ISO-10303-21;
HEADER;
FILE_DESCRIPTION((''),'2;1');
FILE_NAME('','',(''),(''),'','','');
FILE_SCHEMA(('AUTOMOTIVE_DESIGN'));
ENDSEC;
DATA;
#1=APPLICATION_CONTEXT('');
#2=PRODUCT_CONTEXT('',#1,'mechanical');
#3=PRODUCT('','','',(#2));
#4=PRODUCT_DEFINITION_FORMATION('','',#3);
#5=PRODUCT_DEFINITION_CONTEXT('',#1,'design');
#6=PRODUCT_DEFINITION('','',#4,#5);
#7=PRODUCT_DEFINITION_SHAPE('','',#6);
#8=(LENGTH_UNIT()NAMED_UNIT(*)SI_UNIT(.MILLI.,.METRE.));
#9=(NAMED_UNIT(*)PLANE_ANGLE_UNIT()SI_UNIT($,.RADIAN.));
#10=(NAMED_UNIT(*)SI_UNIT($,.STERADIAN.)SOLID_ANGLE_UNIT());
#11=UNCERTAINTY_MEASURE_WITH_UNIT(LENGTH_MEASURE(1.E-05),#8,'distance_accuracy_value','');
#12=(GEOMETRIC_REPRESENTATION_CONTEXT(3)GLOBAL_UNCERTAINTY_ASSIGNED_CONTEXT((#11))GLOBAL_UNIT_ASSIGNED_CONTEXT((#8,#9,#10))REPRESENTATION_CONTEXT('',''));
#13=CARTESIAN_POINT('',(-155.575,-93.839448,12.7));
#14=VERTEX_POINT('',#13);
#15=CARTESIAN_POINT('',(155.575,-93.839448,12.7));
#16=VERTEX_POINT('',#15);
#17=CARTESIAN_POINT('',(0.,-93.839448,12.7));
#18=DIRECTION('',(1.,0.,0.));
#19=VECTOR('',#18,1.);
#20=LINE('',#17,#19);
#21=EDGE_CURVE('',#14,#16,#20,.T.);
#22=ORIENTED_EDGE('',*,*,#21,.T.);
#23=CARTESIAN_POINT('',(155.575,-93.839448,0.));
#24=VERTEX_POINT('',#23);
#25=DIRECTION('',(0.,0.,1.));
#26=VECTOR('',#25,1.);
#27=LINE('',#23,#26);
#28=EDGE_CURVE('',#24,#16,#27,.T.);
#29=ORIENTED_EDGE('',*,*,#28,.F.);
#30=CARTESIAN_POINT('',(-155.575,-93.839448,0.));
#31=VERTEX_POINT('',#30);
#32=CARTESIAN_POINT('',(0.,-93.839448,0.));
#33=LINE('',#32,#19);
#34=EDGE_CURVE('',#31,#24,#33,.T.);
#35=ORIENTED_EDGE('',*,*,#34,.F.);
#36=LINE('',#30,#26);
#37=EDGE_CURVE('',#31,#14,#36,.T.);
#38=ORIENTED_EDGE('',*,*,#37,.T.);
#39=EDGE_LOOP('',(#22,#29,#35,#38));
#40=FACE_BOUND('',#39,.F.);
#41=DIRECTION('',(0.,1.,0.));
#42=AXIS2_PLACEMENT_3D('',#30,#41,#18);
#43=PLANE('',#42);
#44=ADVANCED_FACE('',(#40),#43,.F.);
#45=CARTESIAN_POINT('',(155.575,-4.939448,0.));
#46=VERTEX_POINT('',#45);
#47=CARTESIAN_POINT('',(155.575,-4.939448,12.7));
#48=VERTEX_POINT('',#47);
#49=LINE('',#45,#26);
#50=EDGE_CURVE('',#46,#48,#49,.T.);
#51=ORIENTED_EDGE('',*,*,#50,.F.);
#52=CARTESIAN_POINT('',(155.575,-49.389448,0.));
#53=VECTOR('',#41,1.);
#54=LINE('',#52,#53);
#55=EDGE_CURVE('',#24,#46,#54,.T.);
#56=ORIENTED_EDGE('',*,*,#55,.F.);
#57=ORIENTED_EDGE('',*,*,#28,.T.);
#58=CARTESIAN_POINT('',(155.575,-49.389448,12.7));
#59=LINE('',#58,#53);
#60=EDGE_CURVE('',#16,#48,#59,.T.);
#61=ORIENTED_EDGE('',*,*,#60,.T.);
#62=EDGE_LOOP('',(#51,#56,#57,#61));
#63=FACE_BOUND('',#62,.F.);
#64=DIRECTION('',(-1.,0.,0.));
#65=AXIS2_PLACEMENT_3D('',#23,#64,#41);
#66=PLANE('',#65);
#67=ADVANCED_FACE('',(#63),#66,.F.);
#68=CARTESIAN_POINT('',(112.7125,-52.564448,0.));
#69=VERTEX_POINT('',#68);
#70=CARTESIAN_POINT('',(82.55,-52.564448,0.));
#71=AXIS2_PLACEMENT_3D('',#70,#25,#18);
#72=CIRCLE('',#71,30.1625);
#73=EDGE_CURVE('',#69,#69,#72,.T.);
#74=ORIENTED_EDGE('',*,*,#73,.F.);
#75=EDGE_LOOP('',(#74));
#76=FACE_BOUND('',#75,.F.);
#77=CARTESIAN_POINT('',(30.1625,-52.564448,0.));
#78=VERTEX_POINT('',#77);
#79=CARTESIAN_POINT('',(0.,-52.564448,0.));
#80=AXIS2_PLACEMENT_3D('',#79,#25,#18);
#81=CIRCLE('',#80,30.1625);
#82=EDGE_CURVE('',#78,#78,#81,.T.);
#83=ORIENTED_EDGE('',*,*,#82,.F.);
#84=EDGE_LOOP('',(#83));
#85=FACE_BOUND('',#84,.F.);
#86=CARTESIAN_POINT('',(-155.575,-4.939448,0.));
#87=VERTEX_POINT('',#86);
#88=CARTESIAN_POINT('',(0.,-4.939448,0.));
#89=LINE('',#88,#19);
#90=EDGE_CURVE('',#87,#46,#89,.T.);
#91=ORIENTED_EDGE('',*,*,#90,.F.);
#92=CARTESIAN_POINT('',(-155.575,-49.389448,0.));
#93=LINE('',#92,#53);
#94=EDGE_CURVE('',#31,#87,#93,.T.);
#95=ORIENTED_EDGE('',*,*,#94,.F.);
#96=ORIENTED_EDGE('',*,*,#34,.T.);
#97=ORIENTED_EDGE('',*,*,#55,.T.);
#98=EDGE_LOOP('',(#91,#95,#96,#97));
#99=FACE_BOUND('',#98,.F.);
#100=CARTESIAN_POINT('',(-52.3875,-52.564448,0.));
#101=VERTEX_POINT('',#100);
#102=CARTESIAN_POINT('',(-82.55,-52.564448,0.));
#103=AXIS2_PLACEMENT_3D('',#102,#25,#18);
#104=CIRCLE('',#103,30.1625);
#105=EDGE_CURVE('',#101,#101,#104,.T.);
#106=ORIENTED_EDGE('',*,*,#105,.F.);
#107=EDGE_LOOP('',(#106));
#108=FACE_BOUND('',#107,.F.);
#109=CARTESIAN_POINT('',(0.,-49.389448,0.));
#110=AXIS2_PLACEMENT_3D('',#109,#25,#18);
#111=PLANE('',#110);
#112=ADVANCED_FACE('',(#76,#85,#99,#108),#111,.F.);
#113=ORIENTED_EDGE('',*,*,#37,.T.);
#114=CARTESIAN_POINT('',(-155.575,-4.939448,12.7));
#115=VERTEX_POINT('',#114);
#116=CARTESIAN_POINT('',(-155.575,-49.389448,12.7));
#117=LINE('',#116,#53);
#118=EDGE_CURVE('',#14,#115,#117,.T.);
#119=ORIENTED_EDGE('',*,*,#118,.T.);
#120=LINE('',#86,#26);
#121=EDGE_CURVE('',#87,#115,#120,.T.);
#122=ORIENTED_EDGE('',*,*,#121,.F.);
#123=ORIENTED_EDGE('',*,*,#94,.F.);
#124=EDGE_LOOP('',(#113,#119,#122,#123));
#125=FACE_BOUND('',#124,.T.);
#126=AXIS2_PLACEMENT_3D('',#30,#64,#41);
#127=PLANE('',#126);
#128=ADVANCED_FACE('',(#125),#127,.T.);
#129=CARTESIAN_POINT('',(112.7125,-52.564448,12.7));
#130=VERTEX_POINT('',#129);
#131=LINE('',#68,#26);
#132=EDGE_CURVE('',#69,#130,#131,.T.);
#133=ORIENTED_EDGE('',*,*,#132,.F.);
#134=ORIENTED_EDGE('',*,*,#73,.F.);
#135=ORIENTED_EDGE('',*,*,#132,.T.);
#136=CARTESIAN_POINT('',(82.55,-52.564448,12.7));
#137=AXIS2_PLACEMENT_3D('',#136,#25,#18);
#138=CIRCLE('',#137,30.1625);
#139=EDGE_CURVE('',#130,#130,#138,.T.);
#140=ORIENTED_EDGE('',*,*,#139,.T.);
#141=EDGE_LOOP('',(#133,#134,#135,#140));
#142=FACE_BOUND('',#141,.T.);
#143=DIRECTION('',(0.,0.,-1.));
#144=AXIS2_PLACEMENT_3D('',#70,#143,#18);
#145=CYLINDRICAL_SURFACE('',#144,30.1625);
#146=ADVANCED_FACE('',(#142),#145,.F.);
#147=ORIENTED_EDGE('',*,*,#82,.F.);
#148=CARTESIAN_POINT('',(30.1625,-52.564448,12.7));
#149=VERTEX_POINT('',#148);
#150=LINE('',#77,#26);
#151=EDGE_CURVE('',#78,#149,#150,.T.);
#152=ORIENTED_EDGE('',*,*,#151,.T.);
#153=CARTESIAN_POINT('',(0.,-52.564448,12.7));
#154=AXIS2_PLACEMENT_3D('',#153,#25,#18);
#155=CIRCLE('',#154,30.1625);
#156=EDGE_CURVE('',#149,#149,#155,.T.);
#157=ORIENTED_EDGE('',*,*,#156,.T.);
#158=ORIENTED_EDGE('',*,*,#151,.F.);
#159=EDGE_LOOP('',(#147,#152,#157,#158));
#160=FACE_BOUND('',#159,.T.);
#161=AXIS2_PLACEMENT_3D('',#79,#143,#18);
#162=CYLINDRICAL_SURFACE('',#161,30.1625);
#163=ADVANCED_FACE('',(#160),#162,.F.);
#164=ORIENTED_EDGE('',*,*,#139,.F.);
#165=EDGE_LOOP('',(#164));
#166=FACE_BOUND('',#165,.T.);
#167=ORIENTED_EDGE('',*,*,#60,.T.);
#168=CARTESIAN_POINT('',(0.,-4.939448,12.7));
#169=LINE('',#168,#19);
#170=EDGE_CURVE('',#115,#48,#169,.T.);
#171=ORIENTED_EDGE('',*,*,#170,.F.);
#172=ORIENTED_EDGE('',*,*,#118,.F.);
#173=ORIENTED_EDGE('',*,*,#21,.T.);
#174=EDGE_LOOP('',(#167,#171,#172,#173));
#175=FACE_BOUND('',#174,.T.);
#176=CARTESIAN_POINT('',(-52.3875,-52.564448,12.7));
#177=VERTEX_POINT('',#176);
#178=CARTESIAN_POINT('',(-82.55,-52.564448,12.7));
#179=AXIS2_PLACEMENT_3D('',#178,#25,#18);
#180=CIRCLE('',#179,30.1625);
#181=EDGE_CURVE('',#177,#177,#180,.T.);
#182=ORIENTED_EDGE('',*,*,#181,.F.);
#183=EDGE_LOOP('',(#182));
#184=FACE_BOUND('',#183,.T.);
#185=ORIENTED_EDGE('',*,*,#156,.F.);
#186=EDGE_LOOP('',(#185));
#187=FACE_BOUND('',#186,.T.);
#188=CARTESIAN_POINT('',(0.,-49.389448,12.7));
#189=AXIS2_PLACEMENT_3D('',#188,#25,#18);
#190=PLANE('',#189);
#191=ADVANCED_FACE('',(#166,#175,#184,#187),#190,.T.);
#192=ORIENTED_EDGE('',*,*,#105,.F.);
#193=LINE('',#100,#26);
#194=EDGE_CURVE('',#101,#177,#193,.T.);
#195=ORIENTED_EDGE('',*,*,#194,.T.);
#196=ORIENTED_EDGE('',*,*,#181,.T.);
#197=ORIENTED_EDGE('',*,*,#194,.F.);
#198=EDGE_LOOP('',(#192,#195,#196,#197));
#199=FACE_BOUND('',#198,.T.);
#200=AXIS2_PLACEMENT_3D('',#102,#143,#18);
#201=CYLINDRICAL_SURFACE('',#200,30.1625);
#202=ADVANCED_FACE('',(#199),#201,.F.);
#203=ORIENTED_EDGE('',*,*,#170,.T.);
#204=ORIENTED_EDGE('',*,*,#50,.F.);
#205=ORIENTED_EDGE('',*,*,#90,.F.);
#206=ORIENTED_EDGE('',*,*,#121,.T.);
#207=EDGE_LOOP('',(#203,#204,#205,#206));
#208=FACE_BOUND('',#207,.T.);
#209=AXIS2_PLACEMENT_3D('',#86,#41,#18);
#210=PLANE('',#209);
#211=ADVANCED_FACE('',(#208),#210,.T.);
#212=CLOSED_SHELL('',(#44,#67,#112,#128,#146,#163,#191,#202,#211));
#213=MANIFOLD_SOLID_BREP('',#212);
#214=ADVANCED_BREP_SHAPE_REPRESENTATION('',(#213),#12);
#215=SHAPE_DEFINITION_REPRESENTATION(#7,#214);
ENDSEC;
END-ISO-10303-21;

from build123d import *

# Parameters (mm, degrees)
F0_W     = 311.15
F0_H     = 88.9
F0_R     = 30.1625
F1_DEPTH = 12.7


with BuildPart() as f1:
    # F0 (on Top) → F1 (new body)
    with BuildSketch(Plane.XY):
        with Locations((0, -49.389448)):
            Rectangle(F0_W, F0_H)
        with Locations((-82.55, -52.564448)):
            Circle(F0_R, mode=Mode.SUBTRACT)
        with Locations((0, -52.564448)):
            Circle(F0_R, mode=Mode.SUBTRACT)
        with Locations((82.55, -52.564448)):
            Circle(F0_R, mode=Mode.SUBTRACT)
    extrude(amount=F1_DEPTH)


solid = f1.part
